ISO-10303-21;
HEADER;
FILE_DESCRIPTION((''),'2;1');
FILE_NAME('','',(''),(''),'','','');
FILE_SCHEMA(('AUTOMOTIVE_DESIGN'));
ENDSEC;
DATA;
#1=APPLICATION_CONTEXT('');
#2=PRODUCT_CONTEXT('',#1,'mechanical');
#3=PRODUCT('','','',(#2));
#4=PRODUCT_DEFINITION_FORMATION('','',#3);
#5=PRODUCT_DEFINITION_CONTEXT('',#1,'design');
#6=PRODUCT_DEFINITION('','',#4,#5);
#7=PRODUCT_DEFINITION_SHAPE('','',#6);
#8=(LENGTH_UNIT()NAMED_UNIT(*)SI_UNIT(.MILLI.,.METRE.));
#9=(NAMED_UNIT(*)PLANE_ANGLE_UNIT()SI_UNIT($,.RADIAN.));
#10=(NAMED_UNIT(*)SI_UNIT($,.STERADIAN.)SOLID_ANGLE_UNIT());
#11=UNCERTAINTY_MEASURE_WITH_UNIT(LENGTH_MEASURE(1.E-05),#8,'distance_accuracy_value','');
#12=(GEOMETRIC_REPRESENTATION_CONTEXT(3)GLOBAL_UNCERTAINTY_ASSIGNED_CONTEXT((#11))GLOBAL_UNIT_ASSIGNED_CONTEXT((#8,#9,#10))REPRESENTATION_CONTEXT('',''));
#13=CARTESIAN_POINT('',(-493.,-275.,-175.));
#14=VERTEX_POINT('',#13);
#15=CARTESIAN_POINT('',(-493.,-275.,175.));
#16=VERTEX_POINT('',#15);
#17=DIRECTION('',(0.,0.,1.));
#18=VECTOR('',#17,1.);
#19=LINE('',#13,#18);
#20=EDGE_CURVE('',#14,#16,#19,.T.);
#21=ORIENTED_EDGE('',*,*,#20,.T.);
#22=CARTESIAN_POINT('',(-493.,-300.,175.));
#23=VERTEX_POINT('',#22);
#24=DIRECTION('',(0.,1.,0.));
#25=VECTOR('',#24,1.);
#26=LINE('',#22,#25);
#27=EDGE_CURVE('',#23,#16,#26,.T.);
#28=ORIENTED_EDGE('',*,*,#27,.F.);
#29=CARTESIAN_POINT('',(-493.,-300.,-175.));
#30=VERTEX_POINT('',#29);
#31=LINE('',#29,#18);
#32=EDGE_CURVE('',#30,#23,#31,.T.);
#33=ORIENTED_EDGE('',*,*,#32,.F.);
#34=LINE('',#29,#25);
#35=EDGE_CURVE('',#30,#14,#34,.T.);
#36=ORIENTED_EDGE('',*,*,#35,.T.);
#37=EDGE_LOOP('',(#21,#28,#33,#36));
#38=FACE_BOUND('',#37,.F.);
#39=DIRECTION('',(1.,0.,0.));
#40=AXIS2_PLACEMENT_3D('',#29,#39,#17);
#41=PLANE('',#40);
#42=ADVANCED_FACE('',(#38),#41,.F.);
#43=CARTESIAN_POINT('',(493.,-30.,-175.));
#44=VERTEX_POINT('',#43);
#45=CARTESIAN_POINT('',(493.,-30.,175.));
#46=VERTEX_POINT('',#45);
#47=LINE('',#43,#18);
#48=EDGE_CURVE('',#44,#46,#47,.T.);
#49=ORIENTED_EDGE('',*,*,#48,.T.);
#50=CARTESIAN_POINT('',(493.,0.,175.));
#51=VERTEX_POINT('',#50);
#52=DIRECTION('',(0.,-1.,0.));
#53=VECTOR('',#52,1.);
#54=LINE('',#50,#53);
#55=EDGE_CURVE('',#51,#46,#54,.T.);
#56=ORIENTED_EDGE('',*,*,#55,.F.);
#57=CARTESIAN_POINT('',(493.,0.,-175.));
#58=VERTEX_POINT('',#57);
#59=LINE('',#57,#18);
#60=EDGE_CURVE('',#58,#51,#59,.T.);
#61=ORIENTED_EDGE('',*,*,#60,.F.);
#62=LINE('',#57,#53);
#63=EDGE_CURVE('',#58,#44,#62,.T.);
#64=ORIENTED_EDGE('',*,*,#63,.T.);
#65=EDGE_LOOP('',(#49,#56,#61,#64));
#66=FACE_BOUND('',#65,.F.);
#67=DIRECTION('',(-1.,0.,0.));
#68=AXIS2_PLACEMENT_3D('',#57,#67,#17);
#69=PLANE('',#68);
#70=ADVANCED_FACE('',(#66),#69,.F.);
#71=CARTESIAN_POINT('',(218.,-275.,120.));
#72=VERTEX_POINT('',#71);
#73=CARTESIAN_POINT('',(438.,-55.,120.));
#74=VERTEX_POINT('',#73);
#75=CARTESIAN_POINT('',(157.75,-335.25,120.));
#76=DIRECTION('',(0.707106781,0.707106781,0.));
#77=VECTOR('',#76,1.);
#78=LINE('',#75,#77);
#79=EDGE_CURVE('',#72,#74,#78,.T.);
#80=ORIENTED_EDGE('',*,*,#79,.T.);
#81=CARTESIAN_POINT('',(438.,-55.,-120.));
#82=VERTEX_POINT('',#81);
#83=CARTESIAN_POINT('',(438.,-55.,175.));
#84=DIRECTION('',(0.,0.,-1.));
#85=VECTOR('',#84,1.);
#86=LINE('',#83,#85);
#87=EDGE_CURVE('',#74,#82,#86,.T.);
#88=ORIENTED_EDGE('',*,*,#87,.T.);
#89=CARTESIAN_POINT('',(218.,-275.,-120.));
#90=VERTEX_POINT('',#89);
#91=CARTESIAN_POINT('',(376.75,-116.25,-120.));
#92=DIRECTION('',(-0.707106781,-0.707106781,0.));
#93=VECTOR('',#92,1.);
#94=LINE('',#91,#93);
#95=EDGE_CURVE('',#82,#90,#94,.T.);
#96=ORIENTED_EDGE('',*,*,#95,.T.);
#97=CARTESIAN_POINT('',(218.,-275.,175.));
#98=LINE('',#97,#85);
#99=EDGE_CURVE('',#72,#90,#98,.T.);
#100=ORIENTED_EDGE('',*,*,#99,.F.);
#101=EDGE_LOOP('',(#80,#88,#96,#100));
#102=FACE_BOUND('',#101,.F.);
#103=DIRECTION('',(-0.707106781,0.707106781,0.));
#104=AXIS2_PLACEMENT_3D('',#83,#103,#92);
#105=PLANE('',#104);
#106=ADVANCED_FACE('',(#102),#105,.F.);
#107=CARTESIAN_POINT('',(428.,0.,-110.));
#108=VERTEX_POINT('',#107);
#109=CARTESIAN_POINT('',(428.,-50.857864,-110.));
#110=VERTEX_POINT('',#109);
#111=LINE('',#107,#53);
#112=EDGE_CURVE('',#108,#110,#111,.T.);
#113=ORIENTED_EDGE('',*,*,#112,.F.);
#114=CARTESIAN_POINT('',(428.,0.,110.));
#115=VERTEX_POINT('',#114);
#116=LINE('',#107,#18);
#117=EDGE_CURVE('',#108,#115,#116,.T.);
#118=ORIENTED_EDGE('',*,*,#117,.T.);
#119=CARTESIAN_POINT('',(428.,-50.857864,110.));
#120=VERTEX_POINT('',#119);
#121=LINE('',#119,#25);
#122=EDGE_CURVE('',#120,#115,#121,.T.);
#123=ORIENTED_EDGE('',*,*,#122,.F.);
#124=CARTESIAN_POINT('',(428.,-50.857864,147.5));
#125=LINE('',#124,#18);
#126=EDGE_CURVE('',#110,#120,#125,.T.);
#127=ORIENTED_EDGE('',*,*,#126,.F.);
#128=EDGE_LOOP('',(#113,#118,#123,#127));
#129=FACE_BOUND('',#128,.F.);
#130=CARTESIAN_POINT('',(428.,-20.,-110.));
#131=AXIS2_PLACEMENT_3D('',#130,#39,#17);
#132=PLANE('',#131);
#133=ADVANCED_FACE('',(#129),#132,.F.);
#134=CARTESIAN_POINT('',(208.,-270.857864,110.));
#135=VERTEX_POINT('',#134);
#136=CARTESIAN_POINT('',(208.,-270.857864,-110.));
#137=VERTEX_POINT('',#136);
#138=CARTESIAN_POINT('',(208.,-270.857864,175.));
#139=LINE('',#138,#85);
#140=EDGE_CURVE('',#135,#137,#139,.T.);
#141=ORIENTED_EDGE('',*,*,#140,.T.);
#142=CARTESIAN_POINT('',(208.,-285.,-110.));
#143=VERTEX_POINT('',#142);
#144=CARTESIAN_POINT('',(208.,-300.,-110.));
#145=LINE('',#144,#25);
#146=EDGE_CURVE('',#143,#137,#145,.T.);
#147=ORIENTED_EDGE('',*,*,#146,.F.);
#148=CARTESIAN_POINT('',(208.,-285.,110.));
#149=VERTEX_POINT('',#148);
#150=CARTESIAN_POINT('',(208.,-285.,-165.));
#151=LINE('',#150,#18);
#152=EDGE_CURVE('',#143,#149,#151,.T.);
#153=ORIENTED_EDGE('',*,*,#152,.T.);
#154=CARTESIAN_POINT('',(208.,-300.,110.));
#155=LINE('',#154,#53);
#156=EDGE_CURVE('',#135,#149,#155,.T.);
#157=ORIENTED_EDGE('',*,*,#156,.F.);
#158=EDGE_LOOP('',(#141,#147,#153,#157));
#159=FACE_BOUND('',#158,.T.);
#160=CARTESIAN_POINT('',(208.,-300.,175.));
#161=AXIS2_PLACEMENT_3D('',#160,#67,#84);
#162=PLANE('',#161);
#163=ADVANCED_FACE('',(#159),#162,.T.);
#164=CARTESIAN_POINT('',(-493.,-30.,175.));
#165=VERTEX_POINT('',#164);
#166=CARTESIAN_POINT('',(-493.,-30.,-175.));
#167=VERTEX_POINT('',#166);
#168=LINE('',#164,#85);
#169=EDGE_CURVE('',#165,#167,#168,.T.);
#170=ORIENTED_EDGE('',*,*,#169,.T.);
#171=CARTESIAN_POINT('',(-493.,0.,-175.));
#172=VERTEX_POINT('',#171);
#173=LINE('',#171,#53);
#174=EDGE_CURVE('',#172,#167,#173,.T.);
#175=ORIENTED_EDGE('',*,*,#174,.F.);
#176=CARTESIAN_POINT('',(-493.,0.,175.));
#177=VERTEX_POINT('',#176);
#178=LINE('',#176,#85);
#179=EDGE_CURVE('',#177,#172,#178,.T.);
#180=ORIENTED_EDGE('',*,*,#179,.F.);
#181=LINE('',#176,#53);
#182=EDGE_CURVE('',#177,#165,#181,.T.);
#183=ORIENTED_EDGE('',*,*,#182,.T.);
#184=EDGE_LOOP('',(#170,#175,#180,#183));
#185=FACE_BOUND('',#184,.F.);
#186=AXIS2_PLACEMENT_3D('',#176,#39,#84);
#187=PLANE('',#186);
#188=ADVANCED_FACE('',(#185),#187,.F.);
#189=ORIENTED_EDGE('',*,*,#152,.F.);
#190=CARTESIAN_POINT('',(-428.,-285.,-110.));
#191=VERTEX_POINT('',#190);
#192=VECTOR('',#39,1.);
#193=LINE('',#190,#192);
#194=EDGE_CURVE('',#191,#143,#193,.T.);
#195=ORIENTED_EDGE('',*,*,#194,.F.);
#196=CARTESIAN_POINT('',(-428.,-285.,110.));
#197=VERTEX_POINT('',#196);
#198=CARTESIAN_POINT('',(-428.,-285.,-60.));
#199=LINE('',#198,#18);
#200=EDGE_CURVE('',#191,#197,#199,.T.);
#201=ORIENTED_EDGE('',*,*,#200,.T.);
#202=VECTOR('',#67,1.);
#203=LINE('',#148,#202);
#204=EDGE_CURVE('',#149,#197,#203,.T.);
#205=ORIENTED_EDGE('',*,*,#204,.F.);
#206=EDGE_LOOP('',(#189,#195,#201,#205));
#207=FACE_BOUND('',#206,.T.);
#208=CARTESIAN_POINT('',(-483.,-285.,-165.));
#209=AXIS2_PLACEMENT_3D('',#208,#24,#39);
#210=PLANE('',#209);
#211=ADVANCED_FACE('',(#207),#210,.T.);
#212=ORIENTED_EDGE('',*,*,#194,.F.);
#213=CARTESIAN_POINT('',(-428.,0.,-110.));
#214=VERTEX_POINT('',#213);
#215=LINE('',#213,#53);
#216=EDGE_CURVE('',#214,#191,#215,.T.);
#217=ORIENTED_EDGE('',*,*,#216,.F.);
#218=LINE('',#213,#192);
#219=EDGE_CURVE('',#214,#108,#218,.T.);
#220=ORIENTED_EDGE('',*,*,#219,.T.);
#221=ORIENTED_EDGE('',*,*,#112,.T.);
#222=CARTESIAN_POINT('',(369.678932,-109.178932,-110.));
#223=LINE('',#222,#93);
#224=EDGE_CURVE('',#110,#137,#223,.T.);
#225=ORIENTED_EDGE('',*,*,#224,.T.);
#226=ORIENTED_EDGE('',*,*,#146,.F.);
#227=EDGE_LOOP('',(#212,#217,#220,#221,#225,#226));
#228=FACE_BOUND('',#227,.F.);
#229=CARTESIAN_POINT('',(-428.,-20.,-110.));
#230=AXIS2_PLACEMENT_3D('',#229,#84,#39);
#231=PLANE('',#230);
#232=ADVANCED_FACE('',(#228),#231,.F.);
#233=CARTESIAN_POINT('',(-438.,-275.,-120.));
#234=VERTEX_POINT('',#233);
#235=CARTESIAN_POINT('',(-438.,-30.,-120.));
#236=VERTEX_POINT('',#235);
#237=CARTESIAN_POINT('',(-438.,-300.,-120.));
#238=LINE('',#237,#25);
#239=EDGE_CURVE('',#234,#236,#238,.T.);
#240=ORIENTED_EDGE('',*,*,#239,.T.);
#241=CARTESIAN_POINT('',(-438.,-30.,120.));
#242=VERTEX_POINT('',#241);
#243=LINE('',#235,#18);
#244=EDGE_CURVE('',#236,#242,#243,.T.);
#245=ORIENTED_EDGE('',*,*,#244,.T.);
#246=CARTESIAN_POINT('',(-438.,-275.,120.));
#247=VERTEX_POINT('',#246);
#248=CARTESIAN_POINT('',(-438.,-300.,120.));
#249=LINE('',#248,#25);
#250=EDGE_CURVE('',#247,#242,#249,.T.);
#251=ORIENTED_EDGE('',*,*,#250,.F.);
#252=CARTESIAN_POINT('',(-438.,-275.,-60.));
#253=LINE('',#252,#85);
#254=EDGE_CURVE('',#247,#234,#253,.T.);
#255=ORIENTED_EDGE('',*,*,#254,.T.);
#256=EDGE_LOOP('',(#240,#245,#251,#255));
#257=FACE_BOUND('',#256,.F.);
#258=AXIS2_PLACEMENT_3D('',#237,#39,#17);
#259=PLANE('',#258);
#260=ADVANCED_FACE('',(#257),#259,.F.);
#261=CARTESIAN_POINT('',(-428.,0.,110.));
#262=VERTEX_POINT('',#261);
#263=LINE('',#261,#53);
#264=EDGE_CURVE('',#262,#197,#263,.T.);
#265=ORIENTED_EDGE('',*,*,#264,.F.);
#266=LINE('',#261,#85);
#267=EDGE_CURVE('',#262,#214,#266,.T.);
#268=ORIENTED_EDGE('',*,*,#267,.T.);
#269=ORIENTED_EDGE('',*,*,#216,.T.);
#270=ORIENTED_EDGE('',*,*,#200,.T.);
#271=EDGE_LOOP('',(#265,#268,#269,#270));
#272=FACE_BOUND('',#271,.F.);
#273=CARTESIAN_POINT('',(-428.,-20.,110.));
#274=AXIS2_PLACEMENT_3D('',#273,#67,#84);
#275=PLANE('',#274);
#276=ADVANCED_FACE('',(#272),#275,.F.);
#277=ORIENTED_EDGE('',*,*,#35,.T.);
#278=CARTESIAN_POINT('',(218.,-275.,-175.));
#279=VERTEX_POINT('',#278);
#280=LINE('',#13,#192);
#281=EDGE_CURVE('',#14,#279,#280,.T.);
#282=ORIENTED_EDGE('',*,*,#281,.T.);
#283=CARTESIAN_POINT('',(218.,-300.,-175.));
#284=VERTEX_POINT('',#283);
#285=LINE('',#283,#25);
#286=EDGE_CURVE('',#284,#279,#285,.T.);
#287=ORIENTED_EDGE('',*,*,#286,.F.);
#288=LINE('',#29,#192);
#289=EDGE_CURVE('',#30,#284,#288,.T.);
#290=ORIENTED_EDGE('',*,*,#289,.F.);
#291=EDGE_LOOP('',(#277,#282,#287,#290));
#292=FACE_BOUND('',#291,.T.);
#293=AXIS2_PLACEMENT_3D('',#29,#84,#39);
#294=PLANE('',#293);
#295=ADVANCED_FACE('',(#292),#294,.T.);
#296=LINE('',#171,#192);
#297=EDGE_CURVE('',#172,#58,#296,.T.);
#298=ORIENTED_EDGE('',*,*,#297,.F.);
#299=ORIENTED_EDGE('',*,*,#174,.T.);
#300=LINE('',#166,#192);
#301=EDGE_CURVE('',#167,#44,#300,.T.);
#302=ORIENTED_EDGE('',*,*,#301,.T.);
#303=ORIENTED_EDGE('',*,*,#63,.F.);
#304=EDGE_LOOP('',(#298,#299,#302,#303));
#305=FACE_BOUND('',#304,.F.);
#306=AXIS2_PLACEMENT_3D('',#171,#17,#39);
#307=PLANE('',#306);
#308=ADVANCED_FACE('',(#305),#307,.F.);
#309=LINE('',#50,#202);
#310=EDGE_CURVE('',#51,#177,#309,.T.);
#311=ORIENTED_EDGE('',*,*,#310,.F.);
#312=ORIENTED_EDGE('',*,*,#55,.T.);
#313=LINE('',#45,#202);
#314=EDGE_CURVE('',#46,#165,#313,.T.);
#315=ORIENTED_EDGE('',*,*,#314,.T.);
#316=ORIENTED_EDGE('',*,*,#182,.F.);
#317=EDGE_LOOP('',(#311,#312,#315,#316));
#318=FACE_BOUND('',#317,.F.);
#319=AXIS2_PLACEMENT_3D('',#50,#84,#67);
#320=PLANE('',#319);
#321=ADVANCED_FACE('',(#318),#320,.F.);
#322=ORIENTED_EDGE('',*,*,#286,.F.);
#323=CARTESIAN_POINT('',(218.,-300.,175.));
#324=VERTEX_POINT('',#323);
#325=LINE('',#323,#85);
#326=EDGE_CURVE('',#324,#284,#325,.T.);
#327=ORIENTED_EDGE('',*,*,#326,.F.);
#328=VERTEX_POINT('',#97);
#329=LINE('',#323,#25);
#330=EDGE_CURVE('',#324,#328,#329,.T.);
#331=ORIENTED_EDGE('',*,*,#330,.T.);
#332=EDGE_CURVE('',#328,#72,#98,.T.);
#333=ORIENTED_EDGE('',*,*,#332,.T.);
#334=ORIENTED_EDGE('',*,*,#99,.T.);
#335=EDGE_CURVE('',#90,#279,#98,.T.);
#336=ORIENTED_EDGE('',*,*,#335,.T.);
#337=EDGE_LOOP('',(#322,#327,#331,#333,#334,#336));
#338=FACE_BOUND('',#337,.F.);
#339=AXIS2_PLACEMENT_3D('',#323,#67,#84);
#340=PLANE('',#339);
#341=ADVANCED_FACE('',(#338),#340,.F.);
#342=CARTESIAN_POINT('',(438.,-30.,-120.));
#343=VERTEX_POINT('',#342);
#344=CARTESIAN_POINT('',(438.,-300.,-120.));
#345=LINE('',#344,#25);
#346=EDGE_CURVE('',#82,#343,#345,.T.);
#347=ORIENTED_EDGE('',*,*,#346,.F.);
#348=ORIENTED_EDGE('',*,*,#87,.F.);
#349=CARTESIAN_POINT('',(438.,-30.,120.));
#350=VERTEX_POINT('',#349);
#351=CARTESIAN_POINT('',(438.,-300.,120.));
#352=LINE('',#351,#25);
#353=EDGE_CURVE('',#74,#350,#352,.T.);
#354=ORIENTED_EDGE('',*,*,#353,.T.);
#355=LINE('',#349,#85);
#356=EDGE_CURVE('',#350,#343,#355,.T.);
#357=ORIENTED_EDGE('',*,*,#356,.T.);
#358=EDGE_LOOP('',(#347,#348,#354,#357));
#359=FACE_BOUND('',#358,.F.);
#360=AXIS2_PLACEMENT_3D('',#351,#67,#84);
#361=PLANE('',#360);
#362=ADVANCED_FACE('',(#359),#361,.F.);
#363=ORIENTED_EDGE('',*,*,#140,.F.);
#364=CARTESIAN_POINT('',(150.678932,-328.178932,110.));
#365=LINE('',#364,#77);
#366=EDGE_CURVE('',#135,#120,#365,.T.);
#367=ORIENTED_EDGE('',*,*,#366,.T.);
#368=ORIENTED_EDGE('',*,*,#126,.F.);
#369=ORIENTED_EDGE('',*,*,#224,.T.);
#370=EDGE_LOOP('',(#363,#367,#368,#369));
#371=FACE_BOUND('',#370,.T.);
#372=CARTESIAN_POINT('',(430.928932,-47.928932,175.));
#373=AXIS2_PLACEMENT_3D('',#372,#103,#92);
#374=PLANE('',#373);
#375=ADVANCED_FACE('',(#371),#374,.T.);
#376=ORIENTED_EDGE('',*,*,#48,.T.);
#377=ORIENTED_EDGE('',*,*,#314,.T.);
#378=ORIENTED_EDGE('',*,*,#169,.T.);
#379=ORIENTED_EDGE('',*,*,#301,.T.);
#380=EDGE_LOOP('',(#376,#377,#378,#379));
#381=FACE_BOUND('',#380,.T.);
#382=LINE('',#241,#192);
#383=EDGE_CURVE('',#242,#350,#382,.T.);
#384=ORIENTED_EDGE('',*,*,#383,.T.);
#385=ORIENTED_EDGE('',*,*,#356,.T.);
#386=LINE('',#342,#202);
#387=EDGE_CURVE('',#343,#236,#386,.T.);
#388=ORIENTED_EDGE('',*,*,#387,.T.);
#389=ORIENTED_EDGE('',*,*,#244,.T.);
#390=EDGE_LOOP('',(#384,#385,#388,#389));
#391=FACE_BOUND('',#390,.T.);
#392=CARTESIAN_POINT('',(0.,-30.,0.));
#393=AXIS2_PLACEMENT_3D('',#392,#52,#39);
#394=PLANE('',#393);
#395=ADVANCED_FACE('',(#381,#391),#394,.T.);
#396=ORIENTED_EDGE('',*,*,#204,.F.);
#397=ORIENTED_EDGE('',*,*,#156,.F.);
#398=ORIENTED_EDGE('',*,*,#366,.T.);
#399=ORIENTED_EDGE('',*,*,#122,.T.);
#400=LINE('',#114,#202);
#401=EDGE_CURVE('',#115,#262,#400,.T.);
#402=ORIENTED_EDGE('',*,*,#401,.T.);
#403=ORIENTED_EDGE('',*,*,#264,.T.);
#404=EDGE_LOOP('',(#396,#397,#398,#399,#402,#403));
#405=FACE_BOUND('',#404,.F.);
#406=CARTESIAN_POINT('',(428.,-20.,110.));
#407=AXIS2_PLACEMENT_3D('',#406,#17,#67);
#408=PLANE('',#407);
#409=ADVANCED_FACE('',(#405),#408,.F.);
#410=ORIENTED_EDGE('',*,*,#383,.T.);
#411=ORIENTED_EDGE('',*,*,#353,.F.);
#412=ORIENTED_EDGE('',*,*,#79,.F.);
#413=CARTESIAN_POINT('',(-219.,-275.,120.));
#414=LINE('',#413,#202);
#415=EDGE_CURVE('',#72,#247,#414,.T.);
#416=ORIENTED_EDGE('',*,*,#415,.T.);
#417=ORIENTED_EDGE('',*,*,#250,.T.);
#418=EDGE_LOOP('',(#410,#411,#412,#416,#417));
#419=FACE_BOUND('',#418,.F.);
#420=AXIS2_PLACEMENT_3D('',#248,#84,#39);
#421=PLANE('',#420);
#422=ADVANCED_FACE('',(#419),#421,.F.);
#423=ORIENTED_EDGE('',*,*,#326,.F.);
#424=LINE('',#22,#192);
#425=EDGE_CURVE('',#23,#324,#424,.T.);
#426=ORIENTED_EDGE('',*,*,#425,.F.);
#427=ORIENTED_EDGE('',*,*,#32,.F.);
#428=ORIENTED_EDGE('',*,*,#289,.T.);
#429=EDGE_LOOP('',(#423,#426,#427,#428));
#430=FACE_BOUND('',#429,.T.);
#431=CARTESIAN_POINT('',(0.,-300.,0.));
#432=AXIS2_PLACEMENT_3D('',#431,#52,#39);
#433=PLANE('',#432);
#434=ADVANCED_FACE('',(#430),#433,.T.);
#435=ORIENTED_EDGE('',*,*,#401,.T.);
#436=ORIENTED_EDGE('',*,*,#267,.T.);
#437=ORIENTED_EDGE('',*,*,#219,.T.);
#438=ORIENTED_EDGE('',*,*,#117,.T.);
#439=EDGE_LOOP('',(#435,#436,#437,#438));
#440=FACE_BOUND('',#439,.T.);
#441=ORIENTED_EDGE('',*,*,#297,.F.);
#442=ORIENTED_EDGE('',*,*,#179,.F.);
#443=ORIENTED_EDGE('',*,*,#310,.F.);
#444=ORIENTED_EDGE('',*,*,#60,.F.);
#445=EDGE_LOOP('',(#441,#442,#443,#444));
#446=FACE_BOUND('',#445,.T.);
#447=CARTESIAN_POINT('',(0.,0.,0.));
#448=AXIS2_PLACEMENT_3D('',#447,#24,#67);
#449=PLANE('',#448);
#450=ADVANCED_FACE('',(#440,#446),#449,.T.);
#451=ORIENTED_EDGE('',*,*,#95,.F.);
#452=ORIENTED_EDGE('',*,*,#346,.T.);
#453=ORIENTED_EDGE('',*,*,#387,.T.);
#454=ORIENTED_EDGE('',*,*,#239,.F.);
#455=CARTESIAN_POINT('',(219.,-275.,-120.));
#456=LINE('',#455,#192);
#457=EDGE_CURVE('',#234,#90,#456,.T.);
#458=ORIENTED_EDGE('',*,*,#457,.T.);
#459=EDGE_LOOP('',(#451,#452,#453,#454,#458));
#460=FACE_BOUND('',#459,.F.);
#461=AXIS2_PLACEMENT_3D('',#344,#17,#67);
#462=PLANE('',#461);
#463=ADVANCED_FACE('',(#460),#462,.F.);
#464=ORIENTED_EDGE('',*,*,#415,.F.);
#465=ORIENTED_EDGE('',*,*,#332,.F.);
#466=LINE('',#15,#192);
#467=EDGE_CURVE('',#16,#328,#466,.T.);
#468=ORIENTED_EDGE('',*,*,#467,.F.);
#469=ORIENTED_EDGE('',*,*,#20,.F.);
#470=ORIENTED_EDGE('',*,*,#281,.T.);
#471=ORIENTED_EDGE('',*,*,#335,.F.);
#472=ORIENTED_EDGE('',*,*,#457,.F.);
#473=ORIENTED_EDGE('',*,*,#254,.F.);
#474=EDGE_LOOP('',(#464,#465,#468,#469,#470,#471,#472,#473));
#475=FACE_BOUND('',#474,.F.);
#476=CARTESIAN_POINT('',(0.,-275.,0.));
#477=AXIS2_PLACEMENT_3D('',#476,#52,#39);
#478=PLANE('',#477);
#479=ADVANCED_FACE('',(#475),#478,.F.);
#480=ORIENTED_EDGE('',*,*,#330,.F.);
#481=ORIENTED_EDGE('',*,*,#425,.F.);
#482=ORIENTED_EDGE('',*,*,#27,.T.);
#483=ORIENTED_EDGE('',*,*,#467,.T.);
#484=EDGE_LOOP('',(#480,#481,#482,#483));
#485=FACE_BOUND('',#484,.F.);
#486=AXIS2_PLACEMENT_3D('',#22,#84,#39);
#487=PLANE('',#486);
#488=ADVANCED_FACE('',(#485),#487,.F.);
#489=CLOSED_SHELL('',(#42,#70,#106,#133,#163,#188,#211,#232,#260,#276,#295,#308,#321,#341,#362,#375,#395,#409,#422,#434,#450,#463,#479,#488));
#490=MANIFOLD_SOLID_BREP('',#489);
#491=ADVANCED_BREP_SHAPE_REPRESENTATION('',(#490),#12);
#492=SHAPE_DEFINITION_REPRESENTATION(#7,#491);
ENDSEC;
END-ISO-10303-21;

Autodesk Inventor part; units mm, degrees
ref_plane "YZ Plane" through (0, 0, 0) normal (1, 0, 0) x (0, 1, 0)
ref_plane "XZ Plane" through (0, 0, 0) normal (0, 1, 0) x (-1, 0, 0)
ref_plane "XY Plane" through (0, 0, 0) normal (0, 0, 1) x (1, 0, 0)
sketch "Эскиз1" plane through (0, 0, 0) normal (0, 1, 0) x (-1, 0, 0)
  line L0 (493, -175) -> (-493, -175)
  line L1 (-493, -175) -> (-493, 175)
  line L2 (-493, 175) -> (493, 175)
  line L3 (493, 175) -> (493, -175)
  line L4 (493, -175) -> (-493, 175) construction
  line L5 (-493, -175) -> (493, 175) construction
  point P0 (0, 0)
  dimension "d0" = 986
  dimension "d1" = 350
extrude "Выдавливание1" add sketch "Эскиз1" against normal blind 300
sketch "Эскиз2" plane through (0, -300, 0) normal (0, -1, 0) x (1, 0, 0)
  line L0 (493, 175) -> (-493, 175) projected
  line L1 (-493, 175) -> (-493, -175) projected
  line L2 (-493, -175) -> (493, -175) projected
  line L3 (493, -175) -> (493, 175) projected
  line L4 (-438, 120) -> (438, 120)
  line L5 (438, 120) -> (438, -120)
  line L6 (438, -120) -> (-438, -120)
  line L7 (-438, -120) -> (-438, 120)
  point P0 (0, 0)
  dimension "d4" = 55
extrude "Выдавливание2" cut sketch "Эскиз2" against normal blind 270
sketch "Эскиз4" plane through (-493, 0, 175) normal (0, 0, 1) x (1, 0, 0)
  line L0 (0, 0) -> (986, 0) projected
  line L1 (986, 0) -> (711, -275)
  line L2 (986, 0) -> (1374.9087, 0) construction
  line L3 (931, -300) -> (55, -300) projected
  line L4 (931, -55) -> (931, -300)
  line L5 (931, -300) -> (931, -30) projected
  line L6 (711, -275) -> (711, -300)
  line L7 (711, -300) -> (931, -300)
  point P0 (493, 0)
  dimension "d10" = 135
  dimension "d13" = 25
extrude "Выдавливание3" cut sketch "Эскиз4" against normal through all
sketch "Эскиз5" plane through (0, -300, 0) normal (0, -1, 0) x (1, 0, 0)
  line L0 (-493, -175) -> (-493, 175) construction
  line L1 (493, -175) -> (-493, -175) construction
  line L2 (493, 175) -> (493, -175) construction
  line L3 (-493, 175) -> (493, 175) construction
  line L4 (438, 120) -> (-438, 120) construction
  line L5 (438, -120) -> (438, 120) construction
  line L6 (-438, -120) -> (438, -120) construction
  line L7 (-438, 120) -> (-438, -120) construction
  line L8 (-493, 175) -> (493, 175) projected
  line L9 (218, 175) -> (-493, 175)
  line L10 (-493, -175) -> (-493, 175) projected
  line L11 (-493, 175) -> (-493, -175)
  line L12 (-493, -175) -> (218, -175)
  line L13 (493, -175) -> (-493, -175) projected
  line L14 (218, 175) -> (218, -175)
  point P0 (0, 0)
  point P1 (218, 120)
extrude "Выдавливание5" add sketch "Эскиз5" against normal blind 25
shell "Оболочка1" thickness 10 removed faces 1 at (-164.3333, 0, -58.3333)
sketch "Эскиз6" plane through (-483, -20, 165) normal (0, 1, 0) x (1, 0, 0)
  line L0 (0, 330) -> (0, 0) projected
  line L1 (0, 0) -> (966, 0) projected
  line L2 (966, 0) -> (966, 330) projected
  line L3 (966, 330) -> (0, 330) projected
  line L4 (911, 55) -> (55, 55) projected
  line L5 (55, 55) -> (55, 275) projected
  line L6 (55, 275) -> (911, 275) projected
  line L7 (911, 275) -> (911, 55) projected
  point P0 (483, 165)
extrude "Выдавливание6" add sketch "Эскиз6" along normal up to surface (20 mm away)
sketch "Эскиз7" plane through (-483, -290, -165) normal (0, 1, 0) x (1, 0, 0)
  line L0 (691, 0) -> (691, -330) projected
  line L1 (0, 0) -> (691, 0) projected
  line L2 (0, -330) -> (0, 0) projected
  line L3 (691, -330) -> (0, -330) projected
  point P0 (483, -165)
extrude "Выдавливание7" add sketch "Эскиз7" along normal up to surface (5 mm away)
sketch "Эскиз8" plane through (-493, 0, 175) normal (0, 0, 1) x (1, 0, 0)
  line L0 (0, 0) -> (986, 0) projected
  line L1 (986, 0) -> (986, -30) projected
  point P0 (493, 0)
  point P1 (856, 0)
  point P2 (656, 0)
  point P3 (356, 0)
  point P4 (986, -15)
  dimension "d21" = 130
  dimension "d22" = 200
  dimension "d23" = 300
properties part number "Корпус" material "Сталь, углеродистая"
